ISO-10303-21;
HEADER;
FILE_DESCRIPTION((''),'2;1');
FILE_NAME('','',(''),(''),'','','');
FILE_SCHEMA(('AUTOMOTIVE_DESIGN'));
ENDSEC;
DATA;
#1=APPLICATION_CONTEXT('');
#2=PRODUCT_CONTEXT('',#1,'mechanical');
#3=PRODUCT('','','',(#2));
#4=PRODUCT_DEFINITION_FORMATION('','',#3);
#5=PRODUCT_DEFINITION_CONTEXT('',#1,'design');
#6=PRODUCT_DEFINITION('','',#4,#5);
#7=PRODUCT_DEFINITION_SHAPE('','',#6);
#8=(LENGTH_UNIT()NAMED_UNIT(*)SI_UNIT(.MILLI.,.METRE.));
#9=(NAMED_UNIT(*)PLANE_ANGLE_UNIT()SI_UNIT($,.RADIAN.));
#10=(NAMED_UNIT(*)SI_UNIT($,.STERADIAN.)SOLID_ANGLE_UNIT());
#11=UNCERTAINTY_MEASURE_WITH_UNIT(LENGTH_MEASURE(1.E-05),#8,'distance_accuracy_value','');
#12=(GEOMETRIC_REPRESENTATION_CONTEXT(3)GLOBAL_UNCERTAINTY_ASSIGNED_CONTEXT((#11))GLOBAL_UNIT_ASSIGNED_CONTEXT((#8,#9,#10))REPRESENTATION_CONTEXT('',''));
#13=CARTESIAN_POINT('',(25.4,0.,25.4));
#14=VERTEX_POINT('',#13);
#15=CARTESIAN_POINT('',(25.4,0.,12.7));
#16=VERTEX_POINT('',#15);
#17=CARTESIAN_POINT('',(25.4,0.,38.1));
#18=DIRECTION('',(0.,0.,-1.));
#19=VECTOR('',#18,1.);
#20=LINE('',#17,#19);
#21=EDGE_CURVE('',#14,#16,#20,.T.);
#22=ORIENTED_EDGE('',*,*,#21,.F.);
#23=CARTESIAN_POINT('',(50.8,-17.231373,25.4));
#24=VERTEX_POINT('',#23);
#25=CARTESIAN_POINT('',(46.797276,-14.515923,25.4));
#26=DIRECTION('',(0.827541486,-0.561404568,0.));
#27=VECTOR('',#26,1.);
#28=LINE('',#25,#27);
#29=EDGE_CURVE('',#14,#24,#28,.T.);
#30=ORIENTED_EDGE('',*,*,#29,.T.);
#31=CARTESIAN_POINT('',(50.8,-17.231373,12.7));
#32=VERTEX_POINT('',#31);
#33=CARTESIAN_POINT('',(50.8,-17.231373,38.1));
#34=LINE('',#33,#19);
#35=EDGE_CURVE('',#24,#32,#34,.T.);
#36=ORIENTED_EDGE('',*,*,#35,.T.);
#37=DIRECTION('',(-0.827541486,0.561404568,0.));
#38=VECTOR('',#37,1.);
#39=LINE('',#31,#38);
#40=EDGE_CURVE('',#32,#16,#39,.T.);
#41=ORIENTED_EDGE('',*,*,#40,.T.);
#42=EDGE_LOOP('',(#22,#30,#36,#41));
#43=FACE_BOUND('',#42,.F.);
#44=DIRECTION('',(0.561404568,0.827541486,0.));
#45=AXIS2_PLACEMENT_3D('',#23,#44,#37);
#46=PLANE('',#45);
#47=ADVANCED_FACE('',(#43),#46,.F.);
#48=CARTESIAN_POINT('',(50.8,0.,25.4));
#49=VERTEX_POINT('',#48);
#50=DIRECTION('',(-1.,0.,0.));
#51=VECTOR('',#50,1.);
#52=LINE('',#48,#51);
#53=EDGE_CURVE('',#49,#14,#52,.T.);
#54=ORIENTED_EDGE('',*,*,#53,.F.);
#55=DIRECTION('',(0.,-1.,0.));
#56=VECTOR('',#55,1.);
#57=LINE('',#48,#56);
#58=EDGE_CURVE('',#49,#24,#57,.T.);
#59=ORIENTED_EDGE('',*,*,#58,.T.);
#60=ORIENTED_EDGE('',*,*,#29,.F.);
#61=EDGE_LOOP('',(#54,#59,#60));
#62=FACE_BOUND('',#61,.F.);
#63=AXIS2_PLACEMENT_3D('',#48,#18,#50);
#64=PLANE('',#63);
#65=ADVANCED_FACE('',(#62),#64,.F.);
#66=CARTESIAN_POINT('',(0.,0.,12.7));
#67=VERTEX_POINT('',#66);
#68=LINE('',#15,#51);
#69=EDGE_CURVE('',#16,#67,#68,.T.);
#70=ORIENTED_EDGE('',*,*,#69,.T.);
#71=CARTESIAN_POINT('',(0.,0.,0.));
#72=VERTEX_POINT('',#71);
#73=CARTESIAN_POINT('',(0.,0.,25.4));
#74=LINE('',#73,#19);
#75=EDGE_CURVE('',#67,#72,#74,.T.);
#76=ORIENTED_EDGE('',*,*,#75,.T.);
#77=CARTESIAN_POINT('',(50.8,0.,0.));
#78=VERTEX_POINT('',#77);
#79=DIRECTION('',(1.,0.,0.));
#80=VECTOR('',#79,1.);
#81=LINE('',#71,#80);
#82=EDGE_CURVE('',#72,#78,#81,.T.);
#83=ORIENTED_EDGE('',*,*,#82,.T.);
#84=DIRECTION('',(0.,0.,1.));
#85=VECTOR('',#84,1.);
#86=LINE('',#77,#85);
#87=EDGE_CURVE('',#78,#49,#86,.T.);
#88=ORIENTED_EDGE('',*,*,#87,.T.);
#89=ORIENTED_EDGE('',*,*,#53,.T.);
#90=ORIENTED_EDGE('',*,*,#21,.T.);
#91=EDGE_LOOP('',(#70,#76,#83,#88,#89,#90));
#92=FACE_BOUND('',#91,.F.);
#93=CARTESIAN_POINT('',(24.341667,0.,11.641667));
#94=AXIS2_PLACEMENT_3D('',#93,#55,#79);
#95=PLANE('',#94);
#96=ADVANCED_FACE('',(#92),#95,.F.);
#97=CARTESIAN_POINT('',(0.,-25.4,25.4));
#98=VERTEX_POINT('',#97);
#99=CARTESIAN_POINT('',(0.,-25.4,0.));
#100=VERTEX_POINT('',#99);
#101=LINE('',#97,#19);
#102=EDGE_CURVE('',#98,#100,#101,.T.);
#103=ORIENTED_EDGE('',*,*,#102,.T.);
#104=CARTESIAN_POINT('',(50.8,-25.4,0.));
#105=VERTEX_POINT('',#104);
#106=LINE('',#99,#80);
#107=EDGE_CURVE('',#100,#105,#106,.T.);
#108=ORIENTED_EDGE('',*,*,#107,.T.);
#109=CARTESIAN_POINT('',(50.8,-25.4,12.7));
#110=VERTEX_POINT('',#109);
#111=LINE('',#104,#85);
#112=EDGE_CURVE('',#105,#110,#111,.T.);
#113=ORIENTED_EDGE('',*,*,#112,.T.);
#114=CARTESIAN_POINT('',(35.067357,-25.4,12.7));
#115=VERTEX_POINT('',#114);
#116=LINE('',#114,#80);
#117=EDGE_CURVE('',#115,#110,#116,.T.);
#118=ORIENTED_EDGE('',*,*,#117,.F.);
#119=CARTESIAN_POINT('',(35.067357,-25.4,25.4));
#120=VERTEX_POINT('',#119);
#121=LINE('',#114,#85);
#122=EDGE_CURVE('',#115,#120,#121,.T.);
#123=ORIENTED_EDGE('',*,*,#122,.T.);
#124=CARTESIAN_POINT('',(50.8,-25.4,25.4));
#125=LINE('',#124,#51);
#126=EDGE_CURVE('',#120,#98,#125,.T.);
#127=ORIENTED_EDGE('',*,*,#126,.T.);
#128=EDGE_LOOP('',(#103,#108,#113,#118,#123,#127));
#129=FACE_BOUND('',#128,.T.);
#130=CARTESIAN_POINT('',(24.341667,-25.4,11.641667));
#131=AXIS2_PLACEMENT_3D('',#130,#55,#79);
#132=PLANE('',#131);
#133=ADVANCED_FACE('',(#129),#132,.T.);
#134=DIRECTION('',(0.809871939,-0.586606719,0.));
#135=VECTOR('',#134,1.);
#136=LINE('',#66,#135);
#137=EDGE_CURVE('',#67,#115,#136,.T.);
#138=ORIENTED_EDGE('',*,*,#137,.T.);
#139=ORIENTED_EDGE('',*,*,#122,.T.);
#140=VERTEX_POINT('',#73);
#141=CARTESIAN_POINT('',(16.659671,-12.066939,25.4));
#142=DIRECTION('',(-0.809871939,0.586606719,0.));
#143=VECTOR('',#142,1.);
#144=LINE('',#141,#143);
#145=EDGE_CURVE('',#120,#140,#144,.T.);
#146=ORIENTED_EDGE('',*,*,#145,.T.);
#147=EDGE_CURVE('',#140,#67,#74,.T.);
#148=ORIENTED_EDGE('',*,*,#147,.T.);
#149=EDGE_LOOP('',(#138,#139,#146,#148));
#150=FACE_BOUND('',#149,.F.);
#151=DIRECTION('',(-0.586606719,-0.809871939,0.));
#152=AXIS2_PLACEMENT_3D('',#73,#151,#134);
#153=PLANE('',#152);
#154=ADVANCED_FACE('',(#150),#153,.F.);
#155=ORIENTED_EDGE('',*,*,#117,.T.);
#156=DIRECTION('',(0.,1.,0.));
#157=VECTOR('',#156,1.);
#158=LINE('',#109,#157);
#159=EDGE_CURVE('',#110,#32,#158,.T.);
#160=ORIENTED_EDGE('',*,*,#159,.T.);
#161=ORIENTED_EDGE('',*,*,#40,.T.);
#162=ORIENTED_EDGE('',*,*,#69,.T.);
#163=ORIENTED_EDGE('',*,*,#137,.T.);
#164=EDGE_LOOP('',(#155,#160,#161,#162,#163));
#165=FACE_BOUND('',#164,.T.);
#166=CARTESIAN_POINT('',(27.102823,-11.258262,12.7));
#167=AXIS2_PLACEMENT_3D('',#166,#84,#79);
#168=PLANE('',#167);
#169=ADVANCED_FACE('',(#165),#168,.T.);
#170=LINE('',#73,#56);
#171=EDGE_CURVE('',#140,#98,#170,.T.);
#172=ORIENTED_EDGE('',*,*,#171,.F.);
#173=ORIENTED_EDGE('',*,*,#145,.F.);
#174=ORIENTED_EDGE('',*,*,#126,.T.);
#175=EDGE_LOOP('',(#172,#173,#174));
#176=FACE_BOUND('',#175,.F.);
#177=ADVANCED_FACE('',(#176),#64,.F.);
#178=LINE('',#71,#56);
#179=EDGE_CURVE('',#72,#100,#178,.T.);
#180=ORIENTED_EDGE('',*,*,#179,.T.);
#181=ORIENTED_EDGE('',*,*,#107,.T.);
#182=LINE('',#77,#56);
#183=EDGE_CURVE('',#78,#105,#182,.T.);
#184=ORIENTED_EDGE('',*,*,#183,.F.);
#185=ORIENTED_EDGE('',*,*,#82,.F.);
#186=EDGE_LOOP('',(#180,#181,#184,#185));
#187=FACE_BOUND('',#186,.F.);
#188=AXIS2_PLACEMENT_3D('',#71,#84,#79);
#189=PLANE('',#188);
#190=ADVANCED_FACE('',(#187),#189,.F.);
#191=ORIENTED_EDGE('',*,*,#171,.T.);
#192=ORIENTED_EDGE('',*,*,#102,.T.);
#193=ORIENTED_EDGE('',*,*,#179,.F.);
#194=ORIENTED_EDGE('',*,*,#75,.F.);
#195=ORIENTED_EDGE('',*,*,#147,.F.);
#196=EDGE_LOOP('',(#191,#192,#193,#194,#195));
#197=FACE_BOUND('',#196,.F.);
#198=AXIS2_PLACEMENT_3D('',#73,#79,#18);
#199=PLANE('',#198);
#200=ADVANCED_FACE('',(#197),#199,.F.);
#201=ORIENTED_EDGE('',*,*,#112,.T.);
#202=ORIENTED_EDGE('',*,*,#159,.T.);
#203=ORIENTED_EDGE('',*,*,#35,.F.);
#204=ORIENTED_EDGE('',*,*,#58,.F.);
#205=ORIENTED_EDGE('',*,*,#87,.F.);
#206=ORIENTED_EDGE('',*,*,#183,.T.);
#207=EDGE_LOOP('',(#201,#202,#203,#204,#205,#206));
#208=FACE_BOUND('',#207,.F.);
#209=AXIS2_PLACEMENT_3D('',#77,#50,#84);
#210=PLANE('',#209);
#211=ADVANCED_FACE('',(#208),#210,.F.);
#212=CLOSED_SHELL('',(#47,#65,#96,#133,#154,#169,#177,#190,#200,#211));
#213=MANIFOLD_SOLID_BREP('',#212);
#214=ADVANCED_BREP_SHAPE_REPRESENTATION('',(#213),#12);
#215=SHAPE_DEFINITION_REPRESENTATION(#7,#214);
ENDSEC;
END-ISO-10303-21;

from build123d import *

# Parameters (mm, degrees)
F0_W     = 12.7
F0_H     = 12.7
F1_DEPTH = 25.4
F3_DEPTH = 12.7


with BuildPart() as f1:
    # F0 (on Front) → F1 (new body)
    with BuildSketch(Plane.XZ):
        Polygon((0, 25.4), (0, 0), (50.8, 0), (50.8, 12.7), (38.1, 12.7), (38.1, 25.4), align=None)
        with Locations((44.45, 19.05)):
            Rectangle(F0_W, F0_H)
    extrude(amount=F1_DEPTH)

    # F2 (on face) → F3 (cut, symmetric)
    with BuildSketch(Plane.XY.offset(25.4)):
        Polygon((25.4, 0), (0, 0), (35.067357, -25.4), (50.8, -25.4), (50.8, -17.231373), align=None)
    extrude(amount=F3_DEPTH, both=True, mode=Mode.SUBTRACT)


solid = f1.part
